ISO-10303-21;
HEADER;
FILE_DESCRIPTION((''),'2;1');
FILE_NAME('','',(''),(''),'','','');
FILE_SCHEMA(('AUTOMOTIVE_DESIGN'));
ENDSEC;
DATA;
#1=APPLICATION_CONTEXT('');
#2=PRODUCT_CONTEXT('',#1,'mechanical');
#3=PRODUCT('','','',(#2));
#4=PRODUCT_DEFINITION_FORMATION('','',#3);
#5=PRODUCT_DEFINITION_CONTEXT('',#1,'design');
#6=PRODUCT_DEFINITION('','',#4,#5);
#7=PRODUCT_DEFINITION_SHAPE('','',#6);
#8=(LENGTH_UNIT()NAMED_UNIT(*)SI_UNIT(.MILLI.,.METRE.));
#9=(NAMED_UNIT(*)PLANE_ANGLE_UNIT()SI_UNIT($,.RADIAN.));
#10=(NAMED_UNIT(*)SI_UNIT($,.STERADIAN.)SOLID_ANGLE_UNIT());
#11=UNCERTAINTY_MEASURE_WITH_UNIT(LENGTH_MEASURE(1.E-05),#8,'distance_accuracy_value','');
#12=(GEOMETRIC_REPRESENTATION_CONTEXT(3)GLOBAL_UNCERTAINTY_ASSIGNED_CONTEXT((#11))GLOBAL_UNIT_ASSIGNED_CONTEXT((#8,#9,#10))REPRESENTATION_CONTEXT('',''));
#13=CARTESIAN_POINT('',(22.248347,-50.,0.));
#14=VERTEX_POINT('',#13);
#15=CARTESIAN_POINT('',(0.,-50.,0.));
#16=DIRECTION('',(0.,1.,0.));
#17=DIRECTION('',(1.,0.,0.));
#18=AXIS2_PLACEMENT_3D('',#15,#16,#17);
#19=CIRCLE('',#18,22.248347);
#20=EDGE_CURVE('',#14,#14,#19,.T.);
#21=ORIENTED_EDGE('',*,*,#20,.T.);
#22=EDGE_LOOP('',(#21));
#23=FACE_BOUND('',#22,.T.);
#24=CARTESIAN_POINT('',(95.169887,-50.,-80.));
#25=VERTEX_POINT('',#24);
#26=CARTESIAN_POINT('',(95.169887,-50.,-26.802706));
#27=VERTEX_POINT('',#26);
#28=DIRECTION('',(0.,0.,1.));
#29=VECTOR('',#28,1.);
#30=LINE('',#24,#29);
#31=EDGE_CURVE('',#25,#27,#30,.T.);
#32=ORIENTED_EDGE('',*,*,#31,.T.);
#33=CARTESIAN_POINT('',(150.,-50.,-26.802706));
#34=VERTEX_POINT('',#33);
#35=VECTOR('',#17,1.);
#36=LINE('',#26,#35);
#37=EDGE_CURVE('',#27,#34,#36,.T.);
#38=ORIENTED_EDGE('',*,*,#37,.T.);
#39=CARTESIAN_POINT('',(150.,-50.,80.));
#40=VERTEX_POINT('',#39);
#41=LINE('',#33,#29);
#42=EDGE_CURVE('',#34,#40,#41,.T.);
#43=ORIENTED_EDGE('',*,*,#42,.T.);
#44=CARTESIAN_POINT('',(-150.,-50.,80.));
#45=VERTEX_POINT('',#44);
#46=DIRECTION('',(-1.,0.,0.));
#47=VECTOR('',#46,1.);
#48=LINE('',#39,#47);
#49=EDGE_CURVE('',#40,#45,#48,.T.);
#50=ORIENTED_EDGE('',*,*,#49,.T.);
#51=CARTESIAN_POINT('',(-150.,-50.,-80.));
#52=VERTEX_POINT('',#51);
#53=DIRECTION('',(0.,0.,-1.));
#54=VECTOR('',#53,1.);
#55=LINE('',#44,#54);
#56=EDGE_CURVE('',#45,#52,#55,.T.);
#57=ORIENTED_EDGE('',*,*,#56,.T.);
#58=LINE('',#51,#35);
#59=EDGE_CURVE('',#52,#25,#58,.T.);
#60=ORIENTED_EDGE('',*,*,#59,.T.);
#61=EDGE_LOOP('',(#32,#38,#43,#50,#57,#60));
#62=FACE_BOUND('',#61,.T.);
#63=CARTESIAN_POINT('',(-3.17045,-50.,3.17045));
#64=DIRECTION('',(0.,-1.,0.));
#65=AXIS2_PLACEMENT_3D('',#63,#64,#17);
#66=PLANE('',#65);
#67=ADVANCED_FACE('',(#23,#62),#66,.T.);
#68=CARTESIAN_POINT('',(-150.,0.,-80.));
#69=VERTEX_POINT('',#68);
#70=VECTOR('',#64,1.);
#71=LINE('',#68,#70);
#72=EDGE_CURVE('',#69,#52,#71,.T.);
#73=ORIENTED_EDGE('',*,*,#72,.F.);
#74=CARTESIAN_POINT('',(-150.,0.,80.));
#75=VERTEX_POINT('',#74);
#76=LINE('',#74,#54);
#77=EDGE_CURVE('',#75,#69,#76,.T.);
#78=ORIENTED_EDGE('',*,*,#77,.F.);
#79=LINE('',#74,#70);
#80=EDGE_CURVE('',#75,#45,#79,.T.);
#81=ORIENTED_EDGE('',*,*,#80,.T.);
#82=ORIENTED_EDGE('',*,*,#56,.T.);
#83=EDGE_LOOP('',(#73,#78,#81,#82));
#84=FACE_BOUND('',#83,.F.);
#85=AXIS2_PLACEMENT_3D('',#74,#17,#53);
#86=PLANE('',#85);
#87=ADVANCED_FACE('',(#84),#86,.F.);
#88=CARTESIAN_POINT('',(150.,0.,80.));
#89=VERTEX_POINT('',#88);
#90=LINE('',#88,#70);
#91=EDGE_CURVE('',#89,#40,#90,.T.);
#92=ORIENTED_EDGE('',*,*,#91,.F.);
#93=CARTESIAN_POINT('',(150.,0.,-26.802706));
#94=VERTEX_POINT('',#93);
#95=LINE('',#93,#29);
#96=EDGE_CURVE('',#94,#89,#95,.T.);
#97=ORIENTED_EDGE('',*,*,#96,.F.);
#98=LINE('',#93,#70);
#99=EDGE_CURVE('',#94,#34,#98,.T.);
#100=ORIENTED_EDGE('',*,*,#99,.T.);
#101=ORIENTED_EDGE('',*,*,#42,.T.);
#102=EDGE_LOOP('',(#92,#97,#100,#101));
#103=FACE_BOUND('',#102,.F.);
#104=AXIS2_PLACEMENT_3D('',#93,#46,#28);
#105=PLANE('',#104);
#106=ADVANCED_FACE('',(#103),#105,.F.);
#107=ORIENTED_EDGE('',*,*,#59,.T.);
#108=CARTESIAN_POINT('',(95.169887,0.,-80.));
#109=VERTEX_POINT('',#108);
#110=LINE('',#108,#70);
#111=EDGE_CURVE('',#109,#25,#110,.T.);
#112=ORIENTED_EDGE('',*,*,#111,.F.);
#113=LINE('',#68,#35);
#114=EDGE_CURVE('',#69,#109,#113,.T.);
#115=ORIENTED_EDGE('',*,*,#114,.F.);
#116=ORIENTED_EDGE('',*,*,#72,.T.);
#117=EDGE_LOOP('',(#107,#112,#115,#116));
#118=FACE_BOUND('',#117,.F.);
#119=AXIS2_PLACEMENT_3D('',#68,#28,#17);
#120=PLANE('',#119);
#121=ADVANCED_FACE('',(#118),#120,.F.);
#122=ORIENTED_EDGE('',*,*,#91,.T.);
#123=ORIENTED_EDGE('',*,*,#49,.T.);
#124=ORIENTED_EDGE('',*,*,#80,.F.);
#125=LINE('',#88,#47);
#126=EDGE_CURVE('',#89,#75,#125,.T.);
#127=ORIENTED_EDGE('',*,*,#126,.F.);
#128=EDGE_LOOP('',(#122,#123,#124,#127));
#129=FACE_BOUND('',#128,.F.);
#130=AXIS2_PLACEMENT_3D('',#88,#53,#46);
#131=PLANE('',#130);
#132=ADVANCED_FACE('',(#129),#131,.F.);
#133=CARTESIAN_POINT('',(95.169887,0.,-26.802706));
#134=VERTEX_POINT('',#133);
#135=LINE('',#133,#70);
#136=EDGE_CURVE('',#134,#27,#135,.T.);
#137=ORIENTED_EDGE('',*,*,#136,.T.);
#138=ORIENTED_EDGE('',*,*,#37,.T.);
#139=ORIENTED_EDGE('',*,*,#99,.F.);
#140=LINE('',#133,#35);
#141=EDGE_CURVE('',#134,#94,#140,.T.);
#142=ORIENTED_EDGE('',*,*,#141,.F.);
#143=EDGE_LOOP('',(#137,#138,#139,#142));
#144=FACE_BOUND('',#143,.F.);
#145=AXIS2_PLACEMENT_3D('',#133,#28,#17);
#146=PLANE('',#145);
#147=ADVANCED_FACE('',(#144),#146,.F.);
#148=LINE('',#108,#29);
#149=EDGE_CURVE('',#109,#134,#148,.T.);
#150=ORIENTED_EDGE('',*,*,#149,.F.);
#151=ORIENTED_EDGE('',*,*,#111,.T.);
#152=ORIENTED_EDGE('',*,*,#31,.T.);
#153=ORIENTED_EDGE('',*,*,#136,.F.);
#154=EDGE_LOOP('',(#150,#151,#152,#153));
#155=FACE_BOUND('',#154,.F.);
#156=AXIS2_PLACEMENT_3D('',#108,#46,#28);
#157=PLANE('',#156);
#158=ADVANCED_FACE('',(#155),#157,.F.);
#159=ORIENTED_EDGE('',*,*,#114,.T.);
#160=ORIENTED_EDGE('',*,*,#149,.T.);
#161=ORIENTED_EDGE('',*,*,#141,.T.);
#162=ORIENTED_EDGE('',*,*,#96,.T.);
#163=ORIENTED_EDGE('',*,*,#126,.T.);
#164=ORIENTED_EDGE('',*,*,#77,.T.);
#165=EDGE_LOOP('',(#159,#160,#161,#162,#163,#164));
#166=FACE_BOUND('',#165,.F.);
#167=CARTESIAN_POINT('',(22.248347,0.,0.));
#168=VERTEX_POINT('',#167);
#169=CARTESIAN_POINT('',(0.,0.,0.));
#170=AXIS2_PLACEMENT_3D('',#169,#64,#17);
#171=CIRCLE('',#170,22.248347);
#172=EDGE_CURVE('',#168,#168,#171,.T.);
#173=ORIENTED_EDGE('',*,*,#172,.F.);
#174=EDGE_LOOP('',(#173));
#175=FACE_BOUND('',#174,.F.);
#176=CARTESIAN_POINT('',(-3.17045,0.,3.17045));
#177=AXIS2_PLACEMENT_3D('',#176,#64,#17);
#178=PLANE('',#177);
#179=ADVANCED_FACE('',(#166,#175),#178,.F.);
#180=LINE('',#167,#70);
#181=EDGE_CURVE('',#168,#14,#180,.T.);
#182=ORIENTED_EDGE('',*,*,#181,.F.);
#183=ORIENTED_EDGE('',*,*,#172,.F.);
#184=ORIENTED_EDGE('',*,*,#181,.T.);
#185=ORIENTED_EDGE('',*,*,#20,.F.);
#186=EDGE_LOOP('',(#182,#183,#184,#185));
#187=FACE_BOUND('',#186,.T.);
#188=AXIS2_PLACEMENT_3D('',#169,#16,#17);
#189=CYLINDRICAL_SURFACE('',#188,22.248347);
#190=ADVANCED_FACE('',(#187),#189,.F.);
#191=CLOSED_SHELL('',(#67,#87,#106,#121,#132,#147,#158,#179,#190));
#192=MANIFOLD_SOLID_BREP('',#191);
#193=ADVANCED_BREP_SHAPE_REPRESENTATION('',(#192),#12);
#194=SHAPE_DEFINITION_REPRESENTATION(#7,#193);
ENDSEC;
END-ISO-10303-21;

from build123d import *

# Parameters (mm, degrees)
F1_DEPTH = 50
F2_R     = 22.248347
F3_DEPTH = 50.001


with BuildPart() as f1:
    # F0 (on Front) → F1 (new body)
    with BuildSketch(Plane.XZ):
        Polygon((-150, -80), (95.169887, -80), (95.169887, -26.802706), (150, -26.802706), (150, 80), (-150, 80), align=None)
    extrude(amount=F1_DEPTH)

    # F2 (on Front) → F3 (cut, through all)
    with BuildSketch(Plane.XZ):
        Circle(F2_R)
    extrude(amount=F3_DEPTH, mode=Mode.SUBTRACT)


solid = f1.part
